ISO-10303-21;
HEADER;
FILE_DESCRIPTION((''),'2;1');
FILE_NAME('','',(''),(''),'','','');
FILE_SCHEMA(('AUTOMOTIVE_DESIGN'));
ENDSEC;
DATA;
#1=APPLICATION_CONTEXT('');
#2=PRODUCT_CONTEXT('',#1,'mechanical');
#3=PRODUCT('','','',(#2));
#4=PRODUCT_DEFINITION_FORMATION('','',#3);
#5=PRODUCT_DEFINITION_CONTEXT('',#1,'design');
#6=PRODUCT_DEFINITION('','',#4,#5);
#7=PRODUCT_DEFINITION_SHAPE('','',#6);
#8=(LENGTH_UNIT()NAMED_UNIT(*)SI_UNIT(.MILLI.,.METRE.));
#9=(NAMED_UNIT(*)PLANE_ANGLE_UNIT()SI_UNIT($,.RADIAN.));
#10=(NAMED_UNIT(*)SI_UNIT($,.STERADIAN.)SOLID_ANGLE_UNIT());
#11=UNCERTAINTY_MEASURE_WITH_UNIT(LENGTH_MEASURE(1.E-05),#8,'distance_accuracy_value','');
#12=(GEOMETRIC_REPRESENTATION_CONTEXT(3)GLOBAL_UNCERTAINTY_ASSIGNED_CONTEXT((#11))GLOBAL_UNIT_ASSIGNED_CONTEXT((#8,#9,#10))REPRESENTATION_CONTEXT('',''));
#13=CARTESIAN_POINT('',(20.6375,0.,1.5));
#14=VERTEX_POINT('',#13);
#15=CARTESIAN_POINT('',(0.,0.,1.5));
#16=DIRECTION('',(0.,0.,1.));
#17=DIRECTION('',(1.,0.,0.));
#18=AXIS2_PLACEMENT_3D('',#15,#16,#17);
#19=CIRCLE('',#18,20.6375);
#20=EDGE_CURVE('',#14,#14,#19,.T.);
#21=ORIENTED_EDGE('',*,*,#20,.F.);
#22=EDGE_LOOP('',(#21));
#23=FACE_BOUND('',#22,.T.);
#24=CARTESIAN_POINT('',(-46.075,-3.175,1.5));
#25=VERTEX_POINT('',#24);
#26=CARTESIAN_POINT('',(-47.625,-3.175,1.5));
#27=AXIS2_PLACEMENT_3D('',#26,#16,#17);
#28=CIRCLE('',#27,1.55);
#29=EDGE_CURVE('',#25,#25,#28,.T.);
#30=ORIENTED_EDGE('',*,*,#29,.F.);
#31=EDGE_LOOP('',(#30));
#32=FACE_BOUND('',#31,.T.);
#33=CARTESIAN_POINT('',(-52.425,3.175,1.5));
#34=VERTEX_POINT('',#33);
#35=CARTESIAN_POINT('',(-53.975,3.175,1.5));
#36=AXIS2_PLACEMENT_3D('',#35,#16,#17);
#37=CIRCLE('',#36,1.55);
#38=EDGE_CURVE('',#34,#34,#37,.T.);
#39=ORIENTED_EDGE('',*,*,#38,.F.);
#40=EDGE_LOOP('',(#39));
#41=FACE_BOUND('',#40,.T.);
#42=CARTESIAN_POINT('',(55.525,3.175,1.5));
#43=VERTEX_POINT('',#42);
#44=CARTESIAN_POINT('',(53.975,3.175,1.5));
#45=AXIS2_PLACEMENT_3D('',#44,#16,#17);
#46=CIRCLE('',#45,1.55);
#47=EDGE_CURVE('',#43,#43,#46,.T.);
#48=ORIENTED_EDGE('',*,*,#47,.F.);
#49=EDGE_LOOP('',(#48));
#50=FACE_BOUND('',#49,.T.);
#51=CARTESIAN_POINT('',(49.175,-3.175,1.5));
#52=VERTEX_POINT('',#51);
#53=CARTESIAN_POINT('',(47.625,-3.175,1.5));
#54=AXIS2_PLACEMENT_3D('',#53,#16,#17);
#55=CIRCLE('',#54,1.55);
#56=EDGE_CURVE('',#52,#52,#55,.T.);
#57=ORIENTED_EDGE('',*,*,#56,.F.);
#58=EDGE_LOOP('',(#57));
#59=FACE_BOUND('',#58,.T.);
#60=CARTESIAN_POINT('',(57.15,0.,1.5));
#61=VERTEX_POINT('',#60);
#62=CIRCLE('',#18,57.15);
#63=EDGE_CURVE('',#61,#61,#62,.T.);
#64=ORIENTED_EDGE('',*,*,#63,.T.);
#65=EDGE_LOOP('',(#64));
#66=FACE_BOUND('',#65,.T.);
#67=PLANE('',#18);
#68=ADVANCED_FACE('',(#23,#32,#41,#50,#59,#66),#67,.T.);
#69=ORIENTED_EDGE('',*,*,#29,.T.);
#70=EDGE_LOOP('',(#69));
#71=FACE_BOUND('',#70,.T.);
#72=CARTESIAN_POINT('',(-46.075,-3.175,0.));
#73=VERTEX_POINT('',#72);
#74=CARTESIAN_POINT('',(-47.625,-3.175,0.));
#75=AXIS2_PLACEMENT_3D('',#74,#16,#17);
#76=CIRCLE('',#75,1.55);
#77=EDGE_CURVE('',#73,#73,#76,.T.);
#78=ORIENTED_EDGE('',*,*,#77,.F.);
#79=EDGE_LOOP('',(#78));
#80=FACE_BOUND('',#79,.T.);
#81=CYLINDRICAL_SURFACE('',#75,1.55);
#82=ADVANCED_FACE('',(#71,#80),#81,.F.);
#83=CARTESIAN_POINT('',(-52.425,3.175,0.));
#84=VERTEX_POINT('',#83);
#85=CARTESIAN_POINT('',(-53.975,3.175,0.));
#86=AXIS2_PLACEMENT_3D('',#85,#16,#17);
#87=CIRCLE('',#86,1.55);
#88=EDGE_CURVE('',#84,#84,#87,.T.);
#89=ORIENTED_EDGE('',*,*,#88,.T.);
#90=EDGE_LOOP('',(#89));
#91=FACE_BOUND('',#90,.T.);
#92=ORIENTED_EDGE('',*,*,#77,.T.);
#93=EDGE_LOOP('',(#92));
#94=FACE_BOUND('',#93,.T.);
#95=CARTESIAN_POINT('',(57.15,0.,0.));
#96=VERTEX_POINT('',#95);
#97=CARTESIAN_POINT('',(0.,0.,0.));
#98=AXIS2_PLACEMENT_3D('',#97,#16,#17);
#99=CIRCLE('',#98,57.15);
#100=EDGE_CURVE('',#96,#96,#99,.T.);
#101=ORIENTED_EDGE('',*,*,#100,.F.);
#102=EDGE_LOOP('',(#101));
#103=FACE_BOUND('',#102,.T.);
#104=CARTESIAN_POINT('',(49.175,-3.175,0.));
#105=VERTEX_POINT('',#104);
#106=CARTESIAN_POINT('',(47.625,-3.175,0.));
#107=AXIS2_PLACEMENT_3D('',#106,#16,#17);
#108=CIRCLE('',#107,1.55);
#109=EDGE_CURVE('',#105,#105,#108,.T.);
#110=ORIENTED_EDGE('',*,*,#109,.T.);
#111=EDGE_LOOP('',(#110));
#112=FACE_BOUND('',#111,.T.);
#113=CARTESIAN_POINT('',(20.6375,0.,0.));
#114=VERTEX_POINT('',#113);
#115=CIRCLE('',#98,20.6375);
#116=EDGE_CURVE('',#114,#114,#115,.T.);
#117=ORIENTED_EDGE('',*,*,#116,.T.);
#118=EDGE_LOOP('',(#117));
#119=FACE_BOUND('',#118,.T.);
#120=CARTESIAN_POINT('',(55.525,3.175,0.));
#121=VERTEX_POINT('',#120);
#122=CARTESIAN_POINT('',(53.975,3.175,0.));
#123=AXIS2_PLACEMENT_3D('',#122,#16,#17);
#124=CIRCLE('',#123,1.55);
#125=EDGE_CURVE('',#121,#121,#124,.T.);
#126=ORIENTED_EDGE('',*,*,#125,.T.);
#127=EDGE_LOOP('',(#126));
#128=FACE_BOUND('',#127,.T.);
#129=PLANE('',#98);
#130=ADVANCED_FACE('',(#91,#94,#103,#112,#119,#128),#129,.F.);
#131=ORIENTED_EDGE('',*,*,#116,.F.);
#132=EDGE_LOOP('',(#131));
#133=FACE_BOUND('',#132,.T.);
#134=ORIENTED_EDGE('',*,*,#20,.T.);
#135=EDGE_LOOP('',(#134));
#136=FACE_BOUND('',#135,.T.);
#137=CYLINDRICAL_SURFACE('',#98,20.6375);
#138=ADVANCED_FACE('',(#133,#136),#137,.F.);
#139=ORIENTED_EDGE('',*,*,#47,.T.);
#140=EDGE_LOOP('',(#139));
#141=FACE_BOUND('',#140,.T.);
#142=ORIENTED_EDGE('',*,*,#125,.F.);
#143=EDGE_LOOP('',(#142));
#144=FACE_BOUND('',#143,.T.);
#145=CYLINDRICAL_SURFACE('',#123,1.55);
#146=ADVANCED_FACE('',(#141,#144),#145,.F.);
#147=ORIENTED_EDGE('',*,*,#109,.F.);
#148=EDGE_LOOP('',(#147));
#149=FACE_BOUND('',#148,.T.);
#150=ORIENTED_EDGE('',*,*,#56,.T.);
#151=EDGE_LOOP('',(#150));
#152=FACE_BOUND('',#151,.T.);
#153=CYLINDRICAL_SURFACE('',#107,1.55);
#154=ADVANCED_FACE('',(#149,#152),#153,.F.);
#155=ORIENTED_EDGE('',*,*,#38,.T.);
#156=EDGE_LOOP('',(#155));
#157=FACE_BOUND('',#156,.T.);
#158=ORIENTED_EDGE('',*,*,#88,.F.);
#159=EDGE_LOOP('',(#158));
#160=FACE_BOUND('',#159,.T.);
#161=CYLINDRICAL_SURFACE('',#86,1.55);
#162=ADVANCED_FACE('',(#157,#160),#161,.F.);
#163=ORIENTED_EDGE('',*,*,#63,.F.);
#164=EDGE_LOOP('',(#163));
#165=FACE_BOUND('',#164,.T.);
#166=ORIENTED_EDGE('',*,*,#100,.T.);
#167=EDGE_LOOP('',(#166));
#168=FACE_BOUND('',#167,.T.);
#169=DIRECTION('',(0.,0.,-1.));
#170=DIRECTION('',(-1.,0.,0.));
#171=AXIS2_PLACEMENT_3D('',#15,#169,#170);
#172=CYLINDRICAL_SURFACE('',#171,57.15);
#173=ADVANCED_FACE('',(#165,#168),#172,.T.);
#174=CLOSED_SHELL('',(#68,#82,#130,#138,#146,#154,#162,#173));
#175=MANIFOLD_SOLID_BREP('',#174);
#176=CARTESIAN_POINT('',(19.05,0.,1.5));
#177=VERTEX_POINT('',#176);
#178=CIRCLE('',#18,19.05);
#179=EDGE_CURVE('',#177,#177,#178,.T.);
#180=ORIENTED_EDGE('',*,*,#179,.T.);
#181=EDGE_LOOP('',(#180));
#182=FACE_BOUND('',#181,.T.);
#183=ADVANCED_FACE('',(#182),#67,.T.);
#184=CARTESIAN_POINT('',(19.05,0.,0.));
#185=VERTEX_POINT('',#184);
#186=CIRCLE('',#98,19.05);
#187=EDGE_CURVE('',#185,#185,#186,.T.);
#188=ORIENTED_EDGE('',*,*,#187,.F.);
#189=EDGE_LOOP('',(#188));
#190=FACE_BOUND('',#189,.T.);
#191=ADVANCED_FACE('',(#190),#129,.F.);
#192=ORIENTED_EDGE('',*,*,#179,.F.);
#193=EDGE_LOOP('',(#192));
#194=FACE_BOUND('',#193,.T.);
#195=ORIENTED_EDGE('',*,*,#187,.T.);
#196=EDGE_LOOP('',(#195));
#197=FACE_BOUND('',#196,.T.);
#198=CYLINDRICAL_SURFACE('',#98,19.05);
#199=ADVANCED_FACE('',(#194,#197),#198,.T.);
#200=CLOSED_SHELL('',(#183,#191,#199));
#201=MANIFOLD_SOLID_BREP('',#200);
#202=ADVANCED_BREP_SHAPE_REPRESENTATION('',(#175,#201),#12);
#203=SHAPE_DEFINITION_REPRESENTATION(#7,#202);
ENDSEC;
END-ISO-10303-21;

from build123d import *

# Parameters (mm, degrees)
SKETCH1_R          = 57.15
EXTRUDE1_DEPTH     = 1.5
SKETCH2_R          = 1.55
CUT_EXTRUDE1_DEPTH = 81.836223316
SKETCH3_R          = 20.6375
SKETCH3_R_2        = 19.05
CUT_EXTRUDE2_DEPTH = 81.836223316


with BuildPart() as part:
    # Sketch1 → Extrude1 (new body)
    with BuildSketch(Plane.XY):
        Circle(SKETCH1_R)
    extrude(amount=EXTRUDE1_DEPTH)

    # Sketch2 → Cut-Extrude1 (cut, through all)
    with BuildSketch(Plane.XY.offset(1.5)):
        with Locations((-53.975, 3.175)):
            Circle(SKETCH2_R)
        with Locations((-47.625, -3.175)):
            Circle(SKETCH2_R)
        with Locations((53.975, 3.175)):
            Circle(SKETCH2_R)
        with Locations((47.625, -3.175)):
            Circle(SKETCH2_R)
    extrude(amount=-CUT_EXTRUDE1_DEPTH, mode=Mode.SUBTRACT)

    # Sketch3 → Cut-Extrude2 (cut, through all)
    with BuildSketch(Plane.XY.offset(1.5)):
        Circle(SKETCH3_R)
        Circle(SKETCH3_R_2, mode=Mode.SUBTRACT)
    extrude(amount=-CUT_EXTRUDE2_DEPTH, mode=Mode.SUBTRACT)


with BuildPart() as cut_extrude2_piece_1:
    # of the separate pieces the step leaves, piece 1, a body of its own (cut_extrude2_pieces)
    add(part.part.solids().sort_by_distance((57.15, 0, 0))[0])


with BuildPart() as cut_extrude2_piece_2:
    # of the separate pieces the step leaves, piece 2, a body of its own (cut_extrude2_pieces)
    add(part.part.solids().sort_by_distance((19.05, 0, 0))[0])


solid = Compound([cut_extrude2_piece_1.part, cut_extrude2_piece_2.part])
